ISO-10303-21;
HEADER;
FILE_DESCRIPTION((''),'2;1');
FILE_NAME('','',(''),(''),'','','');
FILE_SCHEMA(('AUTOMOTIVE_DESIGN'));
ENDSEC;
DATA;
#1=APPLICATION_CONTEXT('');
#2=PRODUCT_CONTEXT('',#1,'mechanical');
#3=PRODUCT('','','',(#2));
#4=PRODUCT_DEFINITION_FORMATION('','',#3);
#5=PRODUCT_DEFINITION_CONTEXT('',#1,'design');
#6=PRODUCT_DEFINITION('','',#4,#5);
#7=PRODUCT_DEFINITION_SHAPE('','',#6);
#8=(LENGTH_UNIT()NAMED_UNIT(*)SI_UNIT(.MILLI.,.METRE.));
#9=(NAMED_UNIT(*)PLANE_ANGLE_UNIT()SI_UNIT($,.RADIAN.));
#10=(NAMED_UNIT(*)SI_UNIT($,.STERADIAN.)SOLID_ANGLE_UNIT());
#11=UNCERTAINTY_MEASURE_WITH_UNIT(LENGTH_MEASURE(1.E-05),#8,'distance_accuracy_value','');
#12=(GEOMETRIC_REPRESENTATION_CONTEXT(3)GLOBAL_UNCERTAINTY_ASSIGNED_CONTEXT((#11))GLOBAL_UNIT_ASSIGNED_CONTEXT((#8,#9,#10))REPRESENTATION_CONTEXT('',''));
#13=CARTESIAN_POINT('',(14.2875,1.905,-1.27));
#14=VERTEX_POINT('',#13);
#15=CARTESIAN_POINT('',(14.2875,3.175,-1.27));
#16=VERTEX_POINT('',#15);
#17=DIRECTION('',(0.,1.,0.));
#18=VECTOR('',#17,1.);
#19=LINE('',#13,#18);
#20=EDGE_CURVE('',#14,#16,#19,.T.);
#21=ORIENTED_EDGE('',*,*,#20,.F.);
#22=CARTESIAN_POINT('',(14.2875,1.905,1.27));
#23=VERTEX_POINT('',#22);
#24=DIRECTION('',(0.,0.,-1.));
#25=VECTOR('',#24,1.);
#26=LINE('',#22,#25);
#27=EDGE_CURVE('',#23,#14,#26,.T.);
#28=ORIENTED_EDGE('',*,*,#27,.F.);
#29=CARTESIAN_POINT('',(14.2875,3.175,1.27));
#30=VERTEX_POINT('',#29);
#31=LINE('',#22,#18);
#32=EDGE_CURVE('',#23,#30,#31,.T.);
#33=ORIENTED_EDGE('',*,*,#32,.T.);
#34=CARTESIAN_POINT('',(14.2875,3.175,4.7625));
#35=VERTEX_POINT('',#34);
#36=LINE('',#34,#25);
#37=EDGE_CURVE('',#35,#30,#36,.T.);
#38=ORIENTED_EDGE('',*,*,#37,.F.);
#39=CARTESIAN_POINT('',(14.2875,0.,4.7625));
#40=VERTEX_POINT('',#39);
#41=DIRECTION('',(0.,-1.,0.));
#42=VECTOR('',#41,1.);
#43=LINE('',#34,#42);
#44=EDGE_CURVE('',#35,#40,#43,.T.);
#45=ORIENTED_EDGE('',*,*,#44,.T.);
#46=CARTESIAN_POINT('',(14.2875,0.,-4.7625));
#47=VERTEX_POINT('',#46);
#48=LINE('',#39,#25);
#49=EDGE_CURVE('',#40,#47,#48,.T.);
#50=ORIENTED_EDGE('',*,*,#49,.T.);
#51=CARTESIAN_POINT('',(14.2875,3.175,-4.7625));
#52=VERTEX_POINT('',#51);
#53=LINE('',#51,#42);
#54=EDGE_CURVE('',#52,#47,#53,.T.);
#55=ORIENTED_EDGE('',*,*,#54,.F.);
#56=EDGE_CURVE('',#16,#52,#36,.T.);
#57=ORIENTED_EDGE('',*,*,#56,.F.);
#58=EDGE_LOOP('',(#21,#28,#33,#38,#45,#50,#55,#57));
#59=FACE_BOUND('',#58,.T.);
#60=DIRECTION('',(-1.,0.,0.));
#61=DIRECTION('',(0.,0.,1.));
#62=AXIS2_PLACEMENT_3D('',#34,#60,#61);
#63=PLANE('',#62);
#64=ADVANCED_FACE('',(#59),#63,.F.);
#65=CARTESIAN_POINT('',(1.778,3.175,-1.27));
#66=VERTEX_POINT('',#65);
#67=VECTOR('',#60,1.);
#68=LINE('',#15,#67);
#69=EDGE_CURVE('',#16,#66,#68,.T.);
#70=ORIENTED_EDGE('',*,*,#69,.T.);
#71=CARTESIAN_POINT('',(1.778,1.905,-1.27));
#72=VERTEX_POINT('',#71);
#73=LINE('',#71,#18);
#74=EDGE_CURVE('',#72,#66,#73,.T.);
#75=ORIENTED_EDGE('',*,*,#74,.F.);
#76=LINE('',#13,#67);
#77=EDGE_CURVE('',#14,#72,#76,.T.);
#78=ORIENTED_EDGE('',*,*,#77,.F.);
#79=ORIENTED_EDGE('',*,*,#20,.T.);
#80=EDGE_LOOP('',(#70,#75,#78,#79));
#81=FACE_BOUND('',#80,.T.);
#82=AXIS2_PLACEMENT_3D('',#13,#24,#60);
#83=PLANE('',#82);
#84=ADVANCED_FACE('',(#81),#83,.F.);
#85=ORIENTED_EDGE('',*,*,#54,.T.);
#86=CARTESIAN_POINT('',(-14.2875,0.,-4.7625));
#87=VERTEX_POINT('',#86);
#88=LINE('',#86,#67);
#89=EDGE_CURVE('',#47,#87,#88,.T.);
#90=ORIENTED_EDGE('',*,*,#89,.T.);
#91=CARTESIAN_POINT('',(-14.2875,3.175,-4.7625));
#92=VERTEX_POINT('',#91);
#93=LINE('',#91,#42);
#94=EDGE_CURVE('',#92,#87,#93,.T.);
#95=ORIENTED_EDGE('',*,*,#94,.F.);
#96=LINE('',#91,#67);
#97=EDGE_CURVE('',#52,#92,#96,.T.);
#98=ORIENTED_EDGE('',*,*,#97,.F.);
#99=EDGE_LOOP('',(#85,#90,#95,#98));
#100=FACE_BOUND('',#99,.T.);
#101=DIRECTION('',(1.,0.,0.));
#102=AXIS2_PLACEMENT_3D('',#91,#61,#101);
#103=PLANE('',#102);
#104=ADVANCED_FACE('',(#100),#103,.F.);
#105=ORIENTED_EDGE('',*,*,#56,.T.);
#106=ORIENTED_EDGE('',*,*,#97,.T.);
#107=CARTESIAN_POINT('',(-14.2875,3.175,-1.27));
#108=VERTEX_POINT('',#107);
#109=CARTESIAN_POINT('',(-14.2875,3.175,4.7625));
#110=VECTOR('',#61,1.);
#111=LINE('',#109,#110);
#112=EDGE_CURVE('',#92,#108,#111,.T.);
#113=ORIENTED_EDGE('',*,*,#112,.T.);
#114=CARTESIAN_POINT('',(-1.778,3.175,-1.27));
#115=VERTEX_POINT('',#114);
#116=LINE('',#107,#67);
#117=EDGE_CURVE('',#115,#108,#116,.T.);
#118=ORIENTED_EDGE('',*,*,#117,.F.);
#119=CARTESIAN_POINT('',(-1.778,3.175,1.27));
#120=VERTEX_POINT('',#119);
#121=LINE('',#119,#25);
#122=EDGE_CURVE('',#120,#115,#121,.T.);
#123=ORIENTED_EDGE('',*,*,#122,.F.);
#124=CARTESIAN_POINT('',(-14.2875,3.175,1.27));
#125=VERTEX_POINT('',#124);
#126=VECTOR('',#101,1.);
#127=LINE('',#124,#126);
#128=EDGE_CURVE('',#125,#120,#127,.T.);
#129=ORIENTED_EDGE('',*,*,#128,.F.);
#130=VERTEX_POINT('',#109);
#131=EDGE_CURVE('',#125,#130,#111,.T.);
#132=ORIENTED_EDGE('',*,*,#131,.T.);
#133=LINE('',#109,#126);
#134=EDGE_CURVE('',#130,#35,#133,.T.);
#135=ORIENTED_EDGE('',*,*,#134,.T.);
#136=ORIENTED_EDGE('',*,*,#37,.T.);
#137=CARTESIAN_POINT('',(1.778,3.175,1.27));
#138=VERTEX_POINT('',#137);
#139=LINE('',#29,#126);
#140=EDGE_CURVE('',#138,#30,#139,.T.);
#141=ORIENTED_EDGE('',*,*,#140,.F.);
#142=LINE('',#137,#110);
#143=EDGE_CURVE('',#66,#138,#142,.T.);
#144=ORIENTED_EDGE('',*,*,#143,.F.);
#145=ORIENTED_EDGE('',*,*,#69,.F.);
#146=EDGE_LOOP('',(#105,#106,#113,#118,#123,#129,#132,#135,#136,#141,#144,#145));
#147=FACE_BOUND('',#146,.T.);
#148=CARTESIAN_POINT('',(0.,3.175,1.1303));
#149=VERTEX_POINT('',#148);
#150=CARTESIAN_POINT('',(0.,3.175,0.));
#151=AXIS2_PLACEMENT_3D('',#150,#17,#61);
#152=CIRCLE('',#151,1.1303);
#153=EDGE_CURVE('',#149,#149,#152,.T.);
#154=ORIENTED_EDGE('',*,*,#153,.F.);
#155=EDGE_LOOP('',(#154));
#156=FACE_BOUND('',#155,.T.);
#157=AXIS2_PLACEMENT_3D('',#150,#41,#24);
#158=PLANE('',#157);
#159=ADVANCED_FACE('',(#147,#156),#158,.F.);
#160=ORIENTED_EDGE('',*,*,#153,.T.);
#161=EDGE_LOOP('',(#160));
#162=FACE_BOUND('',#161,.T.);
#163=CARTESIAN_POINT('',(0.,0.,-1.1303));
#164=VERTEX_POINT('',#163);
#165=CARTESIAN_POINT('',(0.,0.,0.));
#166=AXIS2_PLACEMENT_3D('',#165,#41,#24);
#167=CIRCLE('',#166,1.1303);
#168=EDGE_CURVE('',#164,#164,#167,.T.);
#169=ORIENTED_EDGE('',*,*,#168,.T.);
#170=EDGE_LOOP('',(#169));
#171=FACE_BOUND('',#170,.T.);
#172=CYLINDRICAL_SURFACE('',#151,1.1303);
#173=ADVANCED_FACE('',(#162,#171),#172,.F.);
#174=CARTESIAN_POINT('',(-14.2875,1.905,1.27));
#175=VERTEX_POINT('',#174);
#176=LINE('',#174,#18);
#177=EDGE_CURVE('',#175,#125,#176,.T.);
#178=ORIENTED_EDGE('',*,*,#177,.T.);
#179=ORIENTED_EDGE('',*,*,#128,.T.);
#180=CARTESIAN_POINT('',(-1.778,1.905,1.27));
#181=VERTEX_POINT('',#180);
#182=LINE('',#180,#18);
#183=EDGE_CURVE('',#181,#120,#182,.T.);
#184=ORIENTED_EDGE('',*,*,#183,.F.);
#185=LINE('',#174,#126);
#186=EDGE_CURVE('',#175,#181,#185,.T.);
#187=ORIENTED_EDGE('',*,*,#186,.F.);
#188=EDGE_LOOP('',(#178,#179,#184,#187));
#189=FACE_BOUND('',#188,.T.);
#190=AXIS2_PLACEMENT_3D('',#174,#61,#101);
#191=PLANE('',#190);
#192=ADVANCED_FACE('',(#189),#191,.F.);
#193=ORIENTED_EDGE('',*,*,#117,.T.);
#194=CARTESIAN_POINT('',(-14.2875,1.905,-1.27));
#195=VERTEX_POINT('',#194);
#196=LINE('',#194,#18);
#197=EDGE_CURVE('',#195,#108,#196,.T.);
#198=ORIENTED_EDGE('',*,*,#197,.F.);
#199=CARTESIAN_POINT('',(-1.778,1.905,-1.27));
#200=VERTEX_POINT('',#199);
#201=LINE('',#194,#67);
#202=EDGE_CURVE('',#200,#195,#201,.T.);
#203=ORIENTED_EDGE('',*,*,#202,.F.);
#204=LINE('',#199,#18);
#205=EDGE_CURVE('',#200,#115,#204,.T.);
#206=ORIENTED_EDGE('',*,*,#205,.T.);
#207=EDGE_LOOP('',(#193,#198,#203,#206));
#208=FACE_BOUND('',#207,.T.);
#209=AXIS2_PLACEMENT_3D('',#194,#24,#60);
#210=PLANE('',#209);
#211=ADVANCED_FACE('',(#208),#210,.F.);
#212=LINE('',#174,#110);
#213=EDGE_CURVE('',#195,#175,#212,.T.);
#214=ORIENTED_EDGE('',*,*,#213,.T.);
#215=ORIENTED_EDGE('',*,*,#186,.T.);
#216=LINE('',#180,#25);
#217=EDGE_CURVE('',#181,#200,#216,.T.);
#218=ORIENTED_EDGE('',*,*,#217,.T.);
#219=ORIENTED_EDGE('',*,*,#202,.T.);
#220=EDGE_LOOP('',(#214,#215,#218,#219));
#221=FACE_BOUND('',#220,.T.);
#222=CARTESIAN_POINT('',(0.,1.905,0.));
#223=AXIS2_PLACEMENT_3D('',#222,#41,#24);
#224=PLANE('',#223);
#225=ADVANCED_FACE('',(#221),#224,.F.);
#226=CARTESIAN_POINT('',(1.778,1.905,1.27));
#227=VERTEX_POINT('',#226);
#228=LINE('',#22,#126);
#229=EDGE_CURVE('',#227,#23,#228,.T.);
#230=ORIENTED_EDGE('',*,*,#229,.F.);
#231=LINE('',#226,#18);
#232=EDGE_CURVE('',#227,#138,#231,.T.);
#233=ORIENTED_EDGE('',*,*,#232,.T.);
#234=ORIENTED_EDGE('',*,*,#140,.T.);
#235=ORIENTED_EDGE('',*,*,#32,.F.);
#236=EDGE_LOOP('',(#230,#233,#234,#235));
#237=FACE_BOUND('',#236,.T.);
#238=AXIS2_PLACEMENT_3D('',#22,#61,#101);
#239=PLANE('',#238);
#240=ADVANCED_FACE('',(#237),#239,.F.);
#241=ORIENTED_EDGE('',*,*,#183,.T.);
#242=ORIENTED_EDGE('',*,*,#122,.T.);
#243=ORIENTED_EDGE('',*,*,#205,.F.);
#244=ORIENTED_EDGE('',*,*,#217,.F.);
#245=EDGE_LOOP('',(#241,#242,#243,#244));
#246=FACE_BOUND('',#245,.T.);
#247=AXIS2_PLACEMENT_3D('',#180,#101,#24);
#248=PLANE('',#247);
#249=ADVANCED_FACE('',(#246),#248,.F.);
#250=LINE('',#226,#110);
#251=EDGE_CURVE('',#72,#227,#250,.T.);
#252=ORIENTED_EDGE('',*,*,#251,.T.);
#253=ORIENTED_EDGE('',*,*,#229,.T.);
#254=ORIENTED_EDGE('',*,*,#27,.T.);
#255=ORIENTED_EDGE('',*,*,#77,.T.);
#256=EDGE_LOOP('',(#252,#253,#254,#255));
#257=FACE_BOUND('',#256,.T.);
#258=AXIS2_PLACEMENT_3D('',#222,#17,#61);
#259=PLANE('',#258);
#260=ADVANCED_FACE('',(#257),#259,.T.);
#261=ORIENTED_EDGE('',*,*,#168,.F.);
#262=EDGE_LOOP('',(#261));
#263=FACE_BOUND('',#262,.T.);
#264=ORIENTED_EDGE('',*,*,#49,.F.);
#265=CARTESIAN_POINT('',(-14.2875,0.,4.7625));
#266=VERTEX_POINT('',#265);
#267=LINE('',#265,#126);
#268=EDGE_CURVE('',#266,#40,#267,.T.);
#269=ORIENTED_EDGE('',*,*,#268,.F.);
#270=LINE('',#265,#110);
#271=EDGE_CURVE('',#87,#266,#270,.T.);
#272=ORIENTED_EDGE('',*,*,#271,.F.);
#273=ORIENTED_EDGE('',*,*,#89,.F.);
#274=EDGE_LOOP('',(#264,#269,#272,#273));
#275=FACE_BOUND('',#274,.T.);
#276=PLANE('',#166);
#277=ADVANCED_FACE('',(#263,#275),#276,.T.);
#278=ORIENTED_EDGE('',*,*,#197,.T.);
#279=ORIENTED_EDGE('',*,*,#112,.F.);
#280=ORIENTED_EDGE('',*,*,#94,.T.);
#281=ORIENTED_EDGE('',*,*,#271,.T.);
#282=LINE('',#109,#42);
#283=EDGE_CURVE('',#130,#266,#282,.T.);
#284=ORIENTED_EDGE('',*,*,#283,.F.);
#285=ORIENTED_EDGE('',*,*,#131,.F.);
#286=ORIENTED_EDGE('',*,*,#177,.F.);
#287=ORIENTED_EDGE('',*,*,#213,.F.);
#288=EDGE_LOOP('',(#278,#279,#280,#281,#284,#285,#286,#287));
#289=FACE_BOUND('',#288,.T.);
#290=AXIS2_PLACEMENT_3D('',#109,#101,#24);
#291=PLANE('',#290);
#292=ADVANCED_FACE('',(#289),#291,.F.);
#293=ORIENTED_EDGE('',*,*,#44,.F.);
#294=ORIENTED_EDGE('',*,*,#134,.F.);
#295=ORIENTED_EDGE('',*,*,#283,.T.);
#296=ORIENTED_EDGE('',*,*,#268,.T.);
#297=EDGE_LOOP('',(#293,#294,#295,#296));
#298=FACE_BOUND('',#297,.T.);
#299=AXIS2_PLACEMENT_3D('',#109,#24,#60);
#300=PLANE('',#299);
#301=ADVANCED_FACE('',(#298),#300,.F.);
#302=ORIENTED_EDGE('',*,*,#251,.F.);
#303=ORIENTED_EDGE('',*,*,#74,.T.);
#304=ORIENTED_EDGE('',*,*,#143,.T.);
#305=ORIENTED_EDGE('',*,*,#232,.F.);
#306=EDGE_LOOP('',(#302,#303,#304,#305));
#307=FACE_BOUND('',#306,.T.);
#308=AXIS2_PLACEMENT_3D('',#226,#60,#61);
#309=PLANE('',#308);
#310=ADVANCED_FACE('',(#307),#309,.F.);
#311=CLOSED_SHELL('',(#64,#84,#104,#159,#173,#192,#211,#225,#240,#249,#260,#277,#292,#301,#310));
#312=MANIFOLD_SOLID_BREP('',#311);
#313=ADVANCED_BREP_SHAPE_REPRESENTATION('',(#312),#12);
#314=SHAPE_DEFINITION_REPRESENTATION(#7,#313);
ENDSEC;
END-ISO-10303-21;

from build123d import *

# Parameters (mm, degrees)
SKETCH1_W                 = 28.575
SKETCH1_H                 = 9.525
BOSS_EXTRUDE1_DEPTH       = 3.175
F_4_40_TAPPED_HOLE1_D     = 2.2606
F_4_40_TAPPED_HOLE1_DEPTH = 7.5946
F_4_40_TAPPED_HOLE1_TIP   = 0.679152758
SKETCH5_W                 = 12.5095
SKETCH5_H                 = 2.54
CUT_EXTRUDE2_DEPTH        = 1.27


with BuildPart() as part:
    # Sketch1 → Boss-Extrude1 (new body)
    with BuildSketch(Plane(origin=(0, 0, 0), x_dir=(1, 0, 0), z_dir=(0, 1, 0))):
        Rectangle(SKETCH1_W, SKETCH1_H)
    extrude(amount=BOSS_EXTRUDE1_DEPTH)

    # #4-40 Tapped Hole1
    with Locations(Plane(origin=(0, 3.175, 0), x_dir=(1, 0, 0), z_dir=(0, 1, 0))):
        with Locations((0, 0)):
            Hole(F_4_40_TAPPED_HOLE1_D / 2, depth=F_4_40_TAPPED_HOLE1_DEPTH)
            with Locations((0, 0, -(F_4_40_TAPPED_HOLE1_DEPTH + F_4_40_TAPPED_HOLE1_TIP / 2))):  # 118° drill point
                Cone(0, F_4_40_TAPPED_HOLE1_D / 2, F_4_40_TAPPED_HOLE1_TIP, mode=Mode.SUBTRACT)

    # Sketch5 → Cut-Extrude2 (cut)
    with BuildSketch(Plane(origin=(0, 3.175, 0), x_dir=(1, 0, 0), z_dir=(0, 1, 0))):
        with Locations((-8.03275, 0)):
            Rectangle(SKETCH5_W, SKETCH5_H)
        with Locations((8.03275, 0)):
            Rectangle(SKETCH5_W, SKETCH5_H)
    extrude(amount=-CUT_EXTRUDE2_DEPTH, mode=Mode.SUBTRACT)


solid = part.part
